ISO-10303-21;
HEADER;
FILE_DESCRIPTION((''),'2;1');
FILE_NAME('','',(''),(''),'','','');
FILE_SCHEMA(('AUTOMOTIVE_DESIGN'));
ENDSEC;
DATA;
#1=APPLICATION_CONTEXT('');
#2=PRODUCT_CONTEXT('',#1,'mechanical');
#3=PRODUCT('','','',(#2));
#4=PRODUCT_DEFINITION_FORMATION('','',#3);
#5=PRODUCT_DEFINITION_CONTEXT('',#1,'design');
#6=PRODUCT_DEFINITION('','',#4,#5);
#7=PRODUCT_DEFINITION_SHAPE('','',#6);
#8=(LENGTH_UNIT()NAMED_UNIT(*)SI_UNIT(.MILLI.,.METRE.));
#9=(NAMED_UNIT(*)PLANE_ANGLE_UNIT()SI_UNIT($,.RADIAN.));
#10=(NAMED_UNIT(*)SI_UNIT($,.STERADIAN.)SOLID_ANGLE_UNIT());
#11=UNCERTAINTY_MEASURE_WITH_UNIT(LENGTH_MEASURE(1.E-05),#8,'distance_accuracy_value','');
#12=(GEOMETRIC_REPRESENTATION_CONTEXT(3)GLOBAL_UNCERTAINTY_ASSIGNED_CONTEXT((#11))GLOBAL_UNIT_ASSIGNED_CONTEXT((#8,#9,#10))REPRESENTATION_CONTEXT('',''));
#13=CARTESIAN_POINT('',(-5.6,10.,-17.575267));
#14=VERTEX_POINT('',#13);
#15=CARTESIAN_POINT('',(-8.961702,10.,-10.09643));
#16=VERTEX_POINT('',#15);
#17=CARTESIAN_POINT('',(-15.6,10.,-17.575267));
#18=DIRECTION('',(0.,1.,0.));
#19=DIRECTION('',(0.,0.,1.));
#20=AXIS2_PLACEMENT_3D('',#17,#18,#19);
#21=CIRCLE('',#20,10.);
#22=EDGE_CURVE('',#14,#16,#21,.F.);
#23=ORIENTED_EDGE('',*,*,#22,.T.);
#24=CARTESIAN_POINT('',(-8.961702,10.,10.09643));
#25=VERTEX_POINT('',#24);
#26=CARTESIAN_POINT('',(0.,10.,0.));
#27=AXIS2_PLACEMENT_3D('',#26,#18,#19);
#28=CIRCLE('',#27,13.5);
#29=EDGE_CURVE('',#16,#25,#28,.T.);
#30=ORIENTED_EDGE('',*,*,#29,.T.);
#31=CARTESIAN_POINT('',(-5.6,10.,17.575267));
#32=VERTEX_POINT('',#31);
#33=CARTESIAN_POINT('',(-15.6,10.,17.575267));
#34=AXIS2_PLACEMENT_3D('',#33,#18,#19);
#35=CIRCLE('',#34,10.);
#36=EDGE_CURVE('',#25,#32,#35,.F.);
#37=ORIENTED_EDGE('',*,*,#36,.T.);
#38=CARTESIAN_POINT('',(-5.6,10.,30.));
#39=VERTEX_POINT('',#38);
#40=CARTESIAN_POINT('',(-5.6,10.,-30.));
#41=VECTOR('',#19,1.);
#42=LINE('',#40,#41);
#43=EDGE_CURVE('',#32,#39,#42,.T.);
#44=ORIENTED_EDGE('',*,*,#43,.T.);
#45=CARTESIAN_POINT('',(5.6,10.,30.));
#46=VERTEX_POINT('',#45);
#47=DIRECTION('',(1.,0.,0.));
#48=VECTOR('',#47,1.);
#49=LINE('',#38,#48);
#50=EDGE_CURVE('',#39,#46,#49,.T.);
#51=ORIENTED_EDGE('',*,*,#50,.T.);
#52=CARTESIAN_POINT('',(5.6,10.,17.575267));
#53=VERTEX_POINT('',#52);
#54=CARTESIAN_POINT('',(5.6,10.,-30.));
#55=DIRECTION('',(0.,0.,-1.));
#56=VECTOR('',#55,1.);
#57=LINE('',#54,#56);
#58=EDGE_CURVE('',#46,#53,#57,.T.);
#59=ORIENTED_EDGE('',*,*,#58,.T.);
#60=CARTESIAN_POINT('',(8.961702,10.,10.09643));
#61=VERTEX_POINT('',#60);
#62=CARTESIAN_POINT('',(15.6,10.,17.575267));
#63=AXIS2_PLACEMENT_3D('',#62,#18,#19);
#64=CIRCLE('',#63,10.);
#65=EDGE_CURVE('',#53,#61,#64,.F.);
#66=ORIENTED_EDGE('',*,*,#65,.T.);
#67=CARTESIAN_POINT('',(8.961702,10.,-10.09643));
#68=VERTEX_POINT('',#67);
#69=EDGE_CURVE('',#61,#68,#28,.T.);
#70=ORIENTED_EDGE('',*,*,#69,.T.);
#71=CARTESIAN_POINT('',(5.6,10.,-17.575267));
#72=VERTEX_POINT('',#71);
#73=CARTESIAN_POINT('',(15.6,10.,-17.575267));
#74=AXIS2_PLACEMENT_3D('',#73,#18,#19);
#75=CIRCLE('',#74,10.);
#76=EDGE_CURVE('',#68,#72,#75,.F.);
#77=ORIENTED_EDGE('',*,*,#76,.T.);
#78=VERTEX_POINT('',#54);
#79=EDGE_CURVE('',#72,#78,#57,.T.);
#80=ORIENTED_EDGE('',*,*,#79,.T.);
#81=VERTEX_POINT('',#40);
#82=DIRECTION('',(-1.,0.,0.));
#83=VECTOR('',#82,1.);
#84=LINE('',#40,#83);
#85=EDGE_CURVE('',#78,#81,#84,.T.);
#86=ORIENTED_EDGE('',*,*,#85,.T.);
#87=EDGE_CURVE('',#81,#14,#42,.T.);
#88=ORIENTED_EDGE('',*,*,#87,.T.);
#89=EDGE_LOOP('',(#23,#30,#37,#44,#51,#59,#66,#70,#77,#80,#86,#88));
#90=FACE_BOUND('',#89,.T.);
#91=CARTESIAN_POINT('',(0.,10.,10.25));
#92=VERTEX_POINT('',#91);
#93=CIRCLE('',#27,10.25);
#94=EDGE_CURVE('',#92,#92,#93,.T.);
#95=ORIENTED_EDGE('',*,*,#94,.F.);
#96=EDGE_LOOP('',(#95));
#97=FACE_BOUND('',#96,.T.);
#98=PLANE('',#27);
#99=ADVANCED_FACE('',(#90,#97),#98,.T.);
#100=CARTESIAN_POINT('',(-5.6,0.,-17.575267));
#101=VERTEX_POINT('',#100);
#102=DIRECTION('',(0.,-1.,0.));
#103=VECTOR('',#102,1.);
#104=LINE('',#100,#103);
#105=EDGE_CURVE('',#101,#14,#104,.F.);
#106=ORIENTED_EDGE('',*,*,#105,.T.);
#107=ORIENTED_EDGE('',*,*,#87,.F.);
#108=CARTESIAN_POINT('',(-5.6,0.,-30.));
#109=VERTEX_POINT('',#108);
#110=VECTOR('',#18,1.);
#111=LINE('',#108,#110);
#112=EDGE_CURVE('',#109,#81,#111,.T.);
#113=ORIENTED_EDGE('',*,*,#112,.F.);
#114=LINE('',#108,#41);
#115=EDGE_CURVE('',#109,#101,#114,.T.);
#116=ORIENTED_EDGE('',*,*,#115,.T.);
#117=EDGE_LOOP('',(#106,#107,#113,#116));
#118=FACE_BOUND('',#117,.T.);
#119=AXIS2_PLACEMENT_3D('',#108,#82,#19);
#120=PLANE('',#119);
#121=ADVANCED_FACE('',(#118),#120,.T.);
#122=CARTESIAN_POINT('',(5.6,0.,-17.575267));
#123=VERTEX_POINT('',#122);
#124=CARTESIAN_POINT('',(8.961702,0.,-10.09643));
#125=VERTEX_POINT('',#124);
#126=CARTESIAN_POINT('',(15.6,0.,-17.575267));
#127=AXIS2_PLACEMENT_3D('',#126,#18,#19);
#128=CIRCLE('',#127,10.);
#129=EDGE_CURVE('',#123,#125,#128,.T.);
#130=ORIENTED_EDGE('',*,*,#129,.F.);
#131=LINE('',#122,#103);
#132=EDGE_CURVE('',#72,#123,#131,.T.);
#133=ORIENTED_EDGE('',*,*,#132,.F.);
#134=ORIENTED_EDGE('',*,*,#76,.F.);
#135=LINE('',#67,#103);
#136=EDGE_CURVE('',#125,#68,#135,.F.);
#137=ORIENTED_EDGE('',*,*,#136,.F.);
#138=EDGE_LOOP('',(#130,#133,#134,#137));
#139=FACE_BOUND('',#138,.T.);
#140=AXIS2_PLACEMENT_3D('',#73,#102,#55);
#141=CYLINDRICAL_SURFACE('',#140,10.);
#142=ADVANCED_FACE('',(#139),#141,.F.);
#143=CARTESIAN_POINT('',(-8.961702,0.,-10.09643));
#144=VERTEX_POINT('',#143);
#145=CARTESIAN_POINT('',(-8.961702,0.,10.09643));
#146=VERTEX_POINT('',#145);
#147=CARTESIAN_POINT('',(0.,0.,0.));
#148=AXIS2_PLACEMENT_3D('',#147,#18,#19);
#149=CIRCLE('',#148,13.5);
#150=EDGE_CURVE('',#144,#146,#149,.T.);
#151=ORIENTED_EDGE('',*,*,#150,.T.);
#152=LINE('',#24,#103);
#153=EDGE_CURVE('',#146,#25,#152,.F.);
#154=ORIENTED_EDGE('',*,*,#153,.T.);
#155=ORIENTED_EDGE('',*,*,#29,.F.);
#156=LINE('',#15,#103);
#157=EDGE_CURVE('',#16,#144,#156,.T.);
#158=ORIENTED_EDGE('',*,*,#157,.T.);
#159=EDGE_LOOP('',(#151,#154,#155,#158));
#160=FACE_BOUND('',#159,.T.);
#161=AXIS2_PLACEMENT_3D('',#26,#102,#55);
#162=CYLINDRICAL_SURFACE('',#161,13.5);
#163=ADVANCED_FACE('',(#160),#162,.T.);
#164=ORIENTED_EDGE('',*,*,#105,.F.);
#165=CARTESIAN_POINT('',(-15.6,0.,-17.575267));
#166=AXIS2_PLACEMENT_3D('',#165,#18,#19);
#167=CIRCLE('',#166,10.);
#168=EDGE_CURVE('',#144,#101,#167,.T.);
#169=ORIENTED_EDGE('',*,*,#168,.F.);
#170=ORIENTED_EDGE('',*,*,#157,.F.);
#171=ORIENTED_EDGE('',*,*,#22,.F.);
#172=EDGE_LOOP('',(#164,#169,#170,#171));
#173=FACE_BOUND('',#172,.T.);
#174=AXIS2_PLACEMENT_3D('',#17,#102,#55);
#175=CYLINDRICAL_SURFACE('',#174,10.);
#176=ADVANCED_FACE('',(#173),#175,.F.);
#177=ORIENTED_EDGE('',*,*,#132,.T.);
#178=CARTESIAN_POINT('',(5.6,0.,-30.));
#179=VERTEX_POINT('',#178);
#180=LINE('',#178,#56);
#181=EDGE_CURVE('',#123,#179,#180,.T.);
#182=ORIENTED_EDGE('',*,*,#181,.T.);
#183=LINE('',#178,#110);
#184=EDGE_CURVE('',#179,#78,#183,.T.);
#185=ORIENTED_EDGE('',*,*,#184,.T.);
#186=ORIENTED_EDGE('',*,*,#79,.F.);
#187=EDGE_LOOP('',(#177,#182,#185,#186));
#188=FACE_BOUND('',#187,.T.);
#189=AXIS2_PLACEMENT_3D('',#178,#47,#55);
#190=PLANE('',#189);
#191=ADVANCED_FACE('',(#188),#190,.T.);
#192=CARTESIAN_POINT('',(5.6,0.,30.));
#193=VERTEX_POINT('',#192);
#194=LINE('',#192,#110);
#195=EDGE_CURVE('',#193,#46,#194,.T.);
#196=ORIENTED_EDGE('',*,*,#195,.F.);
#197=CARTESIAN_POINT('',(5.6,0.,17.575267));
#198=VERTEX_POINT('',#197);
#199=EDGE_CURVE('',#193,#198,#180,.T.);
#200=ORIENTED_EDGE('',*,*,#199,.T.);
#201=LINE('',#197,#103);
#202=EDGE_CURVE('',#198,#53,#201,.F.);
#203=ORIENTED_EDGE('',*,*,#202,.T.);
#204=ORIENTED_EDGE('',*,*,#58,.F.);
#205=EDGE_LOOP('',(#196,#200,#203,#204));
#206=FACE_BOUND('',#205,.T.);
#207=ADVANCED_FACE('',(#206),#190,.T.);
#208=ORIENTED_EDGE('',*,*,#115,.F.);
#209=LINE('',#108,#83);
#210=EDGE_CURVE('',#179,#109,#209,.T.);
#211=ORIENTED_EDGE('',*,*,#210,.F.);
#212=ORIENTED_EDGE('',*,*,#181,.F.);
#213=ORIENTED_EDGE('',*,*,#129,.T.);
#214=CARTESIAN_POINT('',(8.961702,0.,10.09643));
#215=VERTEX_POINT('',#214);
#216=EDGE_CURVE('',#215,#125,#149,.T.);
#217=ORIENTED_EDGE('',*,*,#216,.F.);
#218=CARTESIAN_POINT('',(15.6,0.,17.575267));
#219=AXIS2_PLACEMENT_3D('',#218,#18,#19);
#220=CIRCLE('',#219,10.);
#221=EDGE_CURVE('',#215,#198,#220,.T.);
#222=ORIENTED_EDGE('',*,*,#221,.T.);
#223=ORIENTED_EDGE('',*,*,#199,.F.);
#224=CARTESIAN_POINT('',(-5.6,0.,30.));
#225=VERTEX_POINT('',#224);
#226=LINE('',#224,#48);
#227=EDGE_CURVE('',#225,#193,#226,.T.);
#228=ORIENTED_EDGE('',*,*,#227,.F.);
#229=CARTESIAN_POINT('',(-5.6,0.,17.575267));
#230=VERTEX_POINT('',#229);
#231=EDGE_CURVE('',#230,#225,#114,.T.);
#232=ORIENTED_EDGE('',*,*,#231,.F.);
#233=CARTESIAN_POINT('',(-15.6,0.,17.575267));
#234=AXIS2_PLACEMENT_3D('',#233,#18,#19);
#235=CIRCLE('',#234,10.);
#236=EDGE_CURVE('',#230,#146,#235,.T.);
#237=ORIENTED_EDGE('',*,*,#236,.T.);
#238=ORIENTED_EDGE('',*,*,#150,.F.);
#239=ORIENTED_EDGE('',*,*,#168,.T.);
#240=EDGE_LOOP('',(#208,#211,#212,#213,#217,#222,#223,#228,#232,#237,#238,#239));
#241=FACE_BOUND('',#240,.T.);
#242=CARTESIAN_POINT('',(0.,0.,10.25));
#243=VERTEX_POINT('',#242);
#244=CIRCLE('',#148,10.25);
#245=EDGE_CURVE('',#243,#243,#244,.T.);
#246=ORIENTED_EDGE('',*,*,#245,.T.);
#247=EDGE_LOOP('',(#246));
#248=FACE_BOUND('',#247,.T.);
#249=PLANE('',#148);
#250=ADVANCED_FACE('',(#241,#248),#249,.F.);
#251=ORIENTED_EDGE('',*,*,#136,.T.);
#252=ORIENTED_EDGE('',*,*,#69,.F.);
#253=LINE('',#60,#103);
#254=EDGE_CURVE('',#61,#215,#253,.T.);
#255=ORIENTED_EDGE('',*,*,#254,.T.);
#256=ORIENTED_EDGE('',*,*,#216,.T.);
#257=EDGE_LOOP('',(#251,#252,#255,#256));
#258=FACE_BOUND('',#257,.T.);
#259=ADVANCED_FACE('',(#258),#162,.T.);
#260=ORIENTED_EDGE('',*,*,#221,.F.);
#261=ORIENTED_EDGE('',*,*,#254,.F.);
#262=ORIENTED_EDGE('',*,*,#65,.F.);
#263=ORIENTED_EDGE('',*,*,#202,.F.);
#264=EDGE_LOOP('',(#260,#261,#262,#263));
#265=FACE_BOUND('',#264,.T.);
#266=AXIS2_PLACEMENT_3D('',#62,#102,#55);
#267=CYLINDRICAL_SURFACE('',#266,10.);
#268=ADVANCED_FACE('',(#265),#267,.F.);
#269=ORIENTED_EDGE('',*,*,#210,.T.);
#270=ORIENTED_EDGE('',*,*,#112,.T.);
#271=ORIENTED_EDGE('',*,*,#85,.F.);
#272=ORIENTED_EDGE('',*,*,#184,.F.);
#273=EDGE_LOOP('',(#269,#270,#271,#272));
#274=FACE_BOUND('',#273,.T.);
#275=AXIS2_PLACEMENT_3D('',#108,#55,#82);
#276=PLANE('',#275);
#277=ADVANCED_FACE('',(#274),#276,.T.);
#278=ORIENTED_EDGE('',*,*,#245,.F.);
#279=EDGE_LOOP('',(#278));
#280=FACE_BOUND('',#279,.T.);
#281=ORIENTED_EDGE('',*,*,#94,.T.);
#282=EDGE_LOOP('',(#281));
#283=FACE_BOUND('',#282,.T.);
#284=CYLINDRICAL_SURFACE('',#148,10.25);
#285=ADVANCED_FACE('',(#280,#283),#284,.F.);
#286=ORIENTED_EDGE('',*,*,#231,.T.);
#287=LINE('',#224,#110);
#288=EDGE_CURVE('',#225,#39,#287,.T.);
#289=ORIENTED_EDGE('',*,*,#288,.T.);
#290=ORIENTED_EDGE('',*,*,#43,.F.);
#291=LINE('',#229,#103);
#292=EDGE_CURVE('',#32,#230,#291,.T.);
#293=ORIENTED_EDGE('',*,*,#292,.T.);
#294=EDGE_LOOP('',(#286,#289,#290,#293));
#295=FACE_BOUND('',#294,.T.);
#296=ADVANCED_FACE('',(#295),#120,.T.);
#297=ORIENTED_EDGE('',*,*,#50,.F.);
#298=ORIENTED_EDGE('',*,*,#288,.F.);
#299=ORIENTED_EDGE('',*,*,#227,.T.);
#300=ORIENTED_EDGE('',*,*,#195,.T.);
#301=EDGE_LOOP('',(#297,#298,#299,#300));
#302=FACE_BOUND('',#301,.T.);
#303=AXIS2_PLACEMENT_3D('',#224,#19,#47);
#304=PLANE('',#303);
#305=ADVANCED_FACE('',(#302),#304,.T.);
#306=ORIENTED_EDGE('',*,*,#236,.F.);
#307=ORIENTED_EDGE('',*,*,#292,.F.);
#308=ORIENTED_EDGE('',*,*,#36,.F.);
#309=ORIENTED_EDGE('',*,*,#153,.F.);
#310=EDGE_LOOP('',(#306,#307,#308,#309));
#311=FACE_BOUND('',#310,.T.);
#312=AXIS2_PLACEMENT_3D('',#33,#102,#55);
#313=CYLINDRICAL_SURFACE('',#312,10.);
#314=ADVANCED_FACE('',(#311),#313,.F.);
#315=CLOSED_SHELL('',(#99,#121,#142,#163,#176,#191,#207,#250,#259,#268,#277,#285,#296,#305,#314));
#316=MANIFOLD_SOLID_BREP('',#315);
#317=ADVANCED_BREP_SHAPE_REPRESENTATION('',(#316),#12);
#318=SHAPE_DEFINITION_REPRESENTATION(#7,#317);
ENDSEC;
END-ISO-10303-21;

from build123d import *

# Parameters (mm, degrees)
SKETCH_1_R          = 13.5
EXTRUDE_1_DEPTH     = 10
SKETCH_2_W          = 11.2
SKETCH_2_H          = 60
EXTRUDE_2_DEPTH     = 10
SKETCH_3_R          = 10.25
CUT_EXTRUDE_1_DEPTH = 10
FILLET_1_R          = 10


with BuildPart() as part:
    # 草图1 → 凸台-拉伸1 (new body)
    with BuildSketch(Plane(origin=(0, 0, 0), x_dir=(1, 0, 0), z_dir=(0, 1, 0))):
        with Locations(Location((0, 0, 0), (0, 0, 270))):
            Circle(SKETCH_1_R)
    extrude(amount=EXTRUDE_1_DEPTH)

    # 草图2 → 凸台-拉伸2 (add)
    with BuildSketch(Plane(origin=(0, 10, 0), x_dir=(1, 0, 0), z_dir=(0, 1, 0))):
        Rectangle(SKETCH_2_W, SKETCH_2_H)
    extrude(amount=-EXTRUDE_2_DEPTH)

    # 草图3 → 切除-拉伸1 (cut)
    with BuildSketch(Plane(origin=(0, 10, 0), x_dir=(1, 0, 0), z_dir=(0, 1, 0))):
        with Locations(Location((0, 0, 0), (0, 0, 270))):
            Circle(SKETCH_3_R)
    extrude(amount=-CUT_EXTRUDE_1_DEPTH, mode=Mode.SUBTRACT)

    # 圆角1
    fillet_1_edges = [part.edges().sort_by_distance(p)[0] for p in [
        (-5.6, 5, -12.283729075),
        (-5.6, 5, 12.283729075),
        (5.6, 5, 12.283729075),
        (5.6, 5, -12.283729075),
    ]]
    fillet(fillet_1_edges, radius=FILLET_1_R)


solid = part.part
